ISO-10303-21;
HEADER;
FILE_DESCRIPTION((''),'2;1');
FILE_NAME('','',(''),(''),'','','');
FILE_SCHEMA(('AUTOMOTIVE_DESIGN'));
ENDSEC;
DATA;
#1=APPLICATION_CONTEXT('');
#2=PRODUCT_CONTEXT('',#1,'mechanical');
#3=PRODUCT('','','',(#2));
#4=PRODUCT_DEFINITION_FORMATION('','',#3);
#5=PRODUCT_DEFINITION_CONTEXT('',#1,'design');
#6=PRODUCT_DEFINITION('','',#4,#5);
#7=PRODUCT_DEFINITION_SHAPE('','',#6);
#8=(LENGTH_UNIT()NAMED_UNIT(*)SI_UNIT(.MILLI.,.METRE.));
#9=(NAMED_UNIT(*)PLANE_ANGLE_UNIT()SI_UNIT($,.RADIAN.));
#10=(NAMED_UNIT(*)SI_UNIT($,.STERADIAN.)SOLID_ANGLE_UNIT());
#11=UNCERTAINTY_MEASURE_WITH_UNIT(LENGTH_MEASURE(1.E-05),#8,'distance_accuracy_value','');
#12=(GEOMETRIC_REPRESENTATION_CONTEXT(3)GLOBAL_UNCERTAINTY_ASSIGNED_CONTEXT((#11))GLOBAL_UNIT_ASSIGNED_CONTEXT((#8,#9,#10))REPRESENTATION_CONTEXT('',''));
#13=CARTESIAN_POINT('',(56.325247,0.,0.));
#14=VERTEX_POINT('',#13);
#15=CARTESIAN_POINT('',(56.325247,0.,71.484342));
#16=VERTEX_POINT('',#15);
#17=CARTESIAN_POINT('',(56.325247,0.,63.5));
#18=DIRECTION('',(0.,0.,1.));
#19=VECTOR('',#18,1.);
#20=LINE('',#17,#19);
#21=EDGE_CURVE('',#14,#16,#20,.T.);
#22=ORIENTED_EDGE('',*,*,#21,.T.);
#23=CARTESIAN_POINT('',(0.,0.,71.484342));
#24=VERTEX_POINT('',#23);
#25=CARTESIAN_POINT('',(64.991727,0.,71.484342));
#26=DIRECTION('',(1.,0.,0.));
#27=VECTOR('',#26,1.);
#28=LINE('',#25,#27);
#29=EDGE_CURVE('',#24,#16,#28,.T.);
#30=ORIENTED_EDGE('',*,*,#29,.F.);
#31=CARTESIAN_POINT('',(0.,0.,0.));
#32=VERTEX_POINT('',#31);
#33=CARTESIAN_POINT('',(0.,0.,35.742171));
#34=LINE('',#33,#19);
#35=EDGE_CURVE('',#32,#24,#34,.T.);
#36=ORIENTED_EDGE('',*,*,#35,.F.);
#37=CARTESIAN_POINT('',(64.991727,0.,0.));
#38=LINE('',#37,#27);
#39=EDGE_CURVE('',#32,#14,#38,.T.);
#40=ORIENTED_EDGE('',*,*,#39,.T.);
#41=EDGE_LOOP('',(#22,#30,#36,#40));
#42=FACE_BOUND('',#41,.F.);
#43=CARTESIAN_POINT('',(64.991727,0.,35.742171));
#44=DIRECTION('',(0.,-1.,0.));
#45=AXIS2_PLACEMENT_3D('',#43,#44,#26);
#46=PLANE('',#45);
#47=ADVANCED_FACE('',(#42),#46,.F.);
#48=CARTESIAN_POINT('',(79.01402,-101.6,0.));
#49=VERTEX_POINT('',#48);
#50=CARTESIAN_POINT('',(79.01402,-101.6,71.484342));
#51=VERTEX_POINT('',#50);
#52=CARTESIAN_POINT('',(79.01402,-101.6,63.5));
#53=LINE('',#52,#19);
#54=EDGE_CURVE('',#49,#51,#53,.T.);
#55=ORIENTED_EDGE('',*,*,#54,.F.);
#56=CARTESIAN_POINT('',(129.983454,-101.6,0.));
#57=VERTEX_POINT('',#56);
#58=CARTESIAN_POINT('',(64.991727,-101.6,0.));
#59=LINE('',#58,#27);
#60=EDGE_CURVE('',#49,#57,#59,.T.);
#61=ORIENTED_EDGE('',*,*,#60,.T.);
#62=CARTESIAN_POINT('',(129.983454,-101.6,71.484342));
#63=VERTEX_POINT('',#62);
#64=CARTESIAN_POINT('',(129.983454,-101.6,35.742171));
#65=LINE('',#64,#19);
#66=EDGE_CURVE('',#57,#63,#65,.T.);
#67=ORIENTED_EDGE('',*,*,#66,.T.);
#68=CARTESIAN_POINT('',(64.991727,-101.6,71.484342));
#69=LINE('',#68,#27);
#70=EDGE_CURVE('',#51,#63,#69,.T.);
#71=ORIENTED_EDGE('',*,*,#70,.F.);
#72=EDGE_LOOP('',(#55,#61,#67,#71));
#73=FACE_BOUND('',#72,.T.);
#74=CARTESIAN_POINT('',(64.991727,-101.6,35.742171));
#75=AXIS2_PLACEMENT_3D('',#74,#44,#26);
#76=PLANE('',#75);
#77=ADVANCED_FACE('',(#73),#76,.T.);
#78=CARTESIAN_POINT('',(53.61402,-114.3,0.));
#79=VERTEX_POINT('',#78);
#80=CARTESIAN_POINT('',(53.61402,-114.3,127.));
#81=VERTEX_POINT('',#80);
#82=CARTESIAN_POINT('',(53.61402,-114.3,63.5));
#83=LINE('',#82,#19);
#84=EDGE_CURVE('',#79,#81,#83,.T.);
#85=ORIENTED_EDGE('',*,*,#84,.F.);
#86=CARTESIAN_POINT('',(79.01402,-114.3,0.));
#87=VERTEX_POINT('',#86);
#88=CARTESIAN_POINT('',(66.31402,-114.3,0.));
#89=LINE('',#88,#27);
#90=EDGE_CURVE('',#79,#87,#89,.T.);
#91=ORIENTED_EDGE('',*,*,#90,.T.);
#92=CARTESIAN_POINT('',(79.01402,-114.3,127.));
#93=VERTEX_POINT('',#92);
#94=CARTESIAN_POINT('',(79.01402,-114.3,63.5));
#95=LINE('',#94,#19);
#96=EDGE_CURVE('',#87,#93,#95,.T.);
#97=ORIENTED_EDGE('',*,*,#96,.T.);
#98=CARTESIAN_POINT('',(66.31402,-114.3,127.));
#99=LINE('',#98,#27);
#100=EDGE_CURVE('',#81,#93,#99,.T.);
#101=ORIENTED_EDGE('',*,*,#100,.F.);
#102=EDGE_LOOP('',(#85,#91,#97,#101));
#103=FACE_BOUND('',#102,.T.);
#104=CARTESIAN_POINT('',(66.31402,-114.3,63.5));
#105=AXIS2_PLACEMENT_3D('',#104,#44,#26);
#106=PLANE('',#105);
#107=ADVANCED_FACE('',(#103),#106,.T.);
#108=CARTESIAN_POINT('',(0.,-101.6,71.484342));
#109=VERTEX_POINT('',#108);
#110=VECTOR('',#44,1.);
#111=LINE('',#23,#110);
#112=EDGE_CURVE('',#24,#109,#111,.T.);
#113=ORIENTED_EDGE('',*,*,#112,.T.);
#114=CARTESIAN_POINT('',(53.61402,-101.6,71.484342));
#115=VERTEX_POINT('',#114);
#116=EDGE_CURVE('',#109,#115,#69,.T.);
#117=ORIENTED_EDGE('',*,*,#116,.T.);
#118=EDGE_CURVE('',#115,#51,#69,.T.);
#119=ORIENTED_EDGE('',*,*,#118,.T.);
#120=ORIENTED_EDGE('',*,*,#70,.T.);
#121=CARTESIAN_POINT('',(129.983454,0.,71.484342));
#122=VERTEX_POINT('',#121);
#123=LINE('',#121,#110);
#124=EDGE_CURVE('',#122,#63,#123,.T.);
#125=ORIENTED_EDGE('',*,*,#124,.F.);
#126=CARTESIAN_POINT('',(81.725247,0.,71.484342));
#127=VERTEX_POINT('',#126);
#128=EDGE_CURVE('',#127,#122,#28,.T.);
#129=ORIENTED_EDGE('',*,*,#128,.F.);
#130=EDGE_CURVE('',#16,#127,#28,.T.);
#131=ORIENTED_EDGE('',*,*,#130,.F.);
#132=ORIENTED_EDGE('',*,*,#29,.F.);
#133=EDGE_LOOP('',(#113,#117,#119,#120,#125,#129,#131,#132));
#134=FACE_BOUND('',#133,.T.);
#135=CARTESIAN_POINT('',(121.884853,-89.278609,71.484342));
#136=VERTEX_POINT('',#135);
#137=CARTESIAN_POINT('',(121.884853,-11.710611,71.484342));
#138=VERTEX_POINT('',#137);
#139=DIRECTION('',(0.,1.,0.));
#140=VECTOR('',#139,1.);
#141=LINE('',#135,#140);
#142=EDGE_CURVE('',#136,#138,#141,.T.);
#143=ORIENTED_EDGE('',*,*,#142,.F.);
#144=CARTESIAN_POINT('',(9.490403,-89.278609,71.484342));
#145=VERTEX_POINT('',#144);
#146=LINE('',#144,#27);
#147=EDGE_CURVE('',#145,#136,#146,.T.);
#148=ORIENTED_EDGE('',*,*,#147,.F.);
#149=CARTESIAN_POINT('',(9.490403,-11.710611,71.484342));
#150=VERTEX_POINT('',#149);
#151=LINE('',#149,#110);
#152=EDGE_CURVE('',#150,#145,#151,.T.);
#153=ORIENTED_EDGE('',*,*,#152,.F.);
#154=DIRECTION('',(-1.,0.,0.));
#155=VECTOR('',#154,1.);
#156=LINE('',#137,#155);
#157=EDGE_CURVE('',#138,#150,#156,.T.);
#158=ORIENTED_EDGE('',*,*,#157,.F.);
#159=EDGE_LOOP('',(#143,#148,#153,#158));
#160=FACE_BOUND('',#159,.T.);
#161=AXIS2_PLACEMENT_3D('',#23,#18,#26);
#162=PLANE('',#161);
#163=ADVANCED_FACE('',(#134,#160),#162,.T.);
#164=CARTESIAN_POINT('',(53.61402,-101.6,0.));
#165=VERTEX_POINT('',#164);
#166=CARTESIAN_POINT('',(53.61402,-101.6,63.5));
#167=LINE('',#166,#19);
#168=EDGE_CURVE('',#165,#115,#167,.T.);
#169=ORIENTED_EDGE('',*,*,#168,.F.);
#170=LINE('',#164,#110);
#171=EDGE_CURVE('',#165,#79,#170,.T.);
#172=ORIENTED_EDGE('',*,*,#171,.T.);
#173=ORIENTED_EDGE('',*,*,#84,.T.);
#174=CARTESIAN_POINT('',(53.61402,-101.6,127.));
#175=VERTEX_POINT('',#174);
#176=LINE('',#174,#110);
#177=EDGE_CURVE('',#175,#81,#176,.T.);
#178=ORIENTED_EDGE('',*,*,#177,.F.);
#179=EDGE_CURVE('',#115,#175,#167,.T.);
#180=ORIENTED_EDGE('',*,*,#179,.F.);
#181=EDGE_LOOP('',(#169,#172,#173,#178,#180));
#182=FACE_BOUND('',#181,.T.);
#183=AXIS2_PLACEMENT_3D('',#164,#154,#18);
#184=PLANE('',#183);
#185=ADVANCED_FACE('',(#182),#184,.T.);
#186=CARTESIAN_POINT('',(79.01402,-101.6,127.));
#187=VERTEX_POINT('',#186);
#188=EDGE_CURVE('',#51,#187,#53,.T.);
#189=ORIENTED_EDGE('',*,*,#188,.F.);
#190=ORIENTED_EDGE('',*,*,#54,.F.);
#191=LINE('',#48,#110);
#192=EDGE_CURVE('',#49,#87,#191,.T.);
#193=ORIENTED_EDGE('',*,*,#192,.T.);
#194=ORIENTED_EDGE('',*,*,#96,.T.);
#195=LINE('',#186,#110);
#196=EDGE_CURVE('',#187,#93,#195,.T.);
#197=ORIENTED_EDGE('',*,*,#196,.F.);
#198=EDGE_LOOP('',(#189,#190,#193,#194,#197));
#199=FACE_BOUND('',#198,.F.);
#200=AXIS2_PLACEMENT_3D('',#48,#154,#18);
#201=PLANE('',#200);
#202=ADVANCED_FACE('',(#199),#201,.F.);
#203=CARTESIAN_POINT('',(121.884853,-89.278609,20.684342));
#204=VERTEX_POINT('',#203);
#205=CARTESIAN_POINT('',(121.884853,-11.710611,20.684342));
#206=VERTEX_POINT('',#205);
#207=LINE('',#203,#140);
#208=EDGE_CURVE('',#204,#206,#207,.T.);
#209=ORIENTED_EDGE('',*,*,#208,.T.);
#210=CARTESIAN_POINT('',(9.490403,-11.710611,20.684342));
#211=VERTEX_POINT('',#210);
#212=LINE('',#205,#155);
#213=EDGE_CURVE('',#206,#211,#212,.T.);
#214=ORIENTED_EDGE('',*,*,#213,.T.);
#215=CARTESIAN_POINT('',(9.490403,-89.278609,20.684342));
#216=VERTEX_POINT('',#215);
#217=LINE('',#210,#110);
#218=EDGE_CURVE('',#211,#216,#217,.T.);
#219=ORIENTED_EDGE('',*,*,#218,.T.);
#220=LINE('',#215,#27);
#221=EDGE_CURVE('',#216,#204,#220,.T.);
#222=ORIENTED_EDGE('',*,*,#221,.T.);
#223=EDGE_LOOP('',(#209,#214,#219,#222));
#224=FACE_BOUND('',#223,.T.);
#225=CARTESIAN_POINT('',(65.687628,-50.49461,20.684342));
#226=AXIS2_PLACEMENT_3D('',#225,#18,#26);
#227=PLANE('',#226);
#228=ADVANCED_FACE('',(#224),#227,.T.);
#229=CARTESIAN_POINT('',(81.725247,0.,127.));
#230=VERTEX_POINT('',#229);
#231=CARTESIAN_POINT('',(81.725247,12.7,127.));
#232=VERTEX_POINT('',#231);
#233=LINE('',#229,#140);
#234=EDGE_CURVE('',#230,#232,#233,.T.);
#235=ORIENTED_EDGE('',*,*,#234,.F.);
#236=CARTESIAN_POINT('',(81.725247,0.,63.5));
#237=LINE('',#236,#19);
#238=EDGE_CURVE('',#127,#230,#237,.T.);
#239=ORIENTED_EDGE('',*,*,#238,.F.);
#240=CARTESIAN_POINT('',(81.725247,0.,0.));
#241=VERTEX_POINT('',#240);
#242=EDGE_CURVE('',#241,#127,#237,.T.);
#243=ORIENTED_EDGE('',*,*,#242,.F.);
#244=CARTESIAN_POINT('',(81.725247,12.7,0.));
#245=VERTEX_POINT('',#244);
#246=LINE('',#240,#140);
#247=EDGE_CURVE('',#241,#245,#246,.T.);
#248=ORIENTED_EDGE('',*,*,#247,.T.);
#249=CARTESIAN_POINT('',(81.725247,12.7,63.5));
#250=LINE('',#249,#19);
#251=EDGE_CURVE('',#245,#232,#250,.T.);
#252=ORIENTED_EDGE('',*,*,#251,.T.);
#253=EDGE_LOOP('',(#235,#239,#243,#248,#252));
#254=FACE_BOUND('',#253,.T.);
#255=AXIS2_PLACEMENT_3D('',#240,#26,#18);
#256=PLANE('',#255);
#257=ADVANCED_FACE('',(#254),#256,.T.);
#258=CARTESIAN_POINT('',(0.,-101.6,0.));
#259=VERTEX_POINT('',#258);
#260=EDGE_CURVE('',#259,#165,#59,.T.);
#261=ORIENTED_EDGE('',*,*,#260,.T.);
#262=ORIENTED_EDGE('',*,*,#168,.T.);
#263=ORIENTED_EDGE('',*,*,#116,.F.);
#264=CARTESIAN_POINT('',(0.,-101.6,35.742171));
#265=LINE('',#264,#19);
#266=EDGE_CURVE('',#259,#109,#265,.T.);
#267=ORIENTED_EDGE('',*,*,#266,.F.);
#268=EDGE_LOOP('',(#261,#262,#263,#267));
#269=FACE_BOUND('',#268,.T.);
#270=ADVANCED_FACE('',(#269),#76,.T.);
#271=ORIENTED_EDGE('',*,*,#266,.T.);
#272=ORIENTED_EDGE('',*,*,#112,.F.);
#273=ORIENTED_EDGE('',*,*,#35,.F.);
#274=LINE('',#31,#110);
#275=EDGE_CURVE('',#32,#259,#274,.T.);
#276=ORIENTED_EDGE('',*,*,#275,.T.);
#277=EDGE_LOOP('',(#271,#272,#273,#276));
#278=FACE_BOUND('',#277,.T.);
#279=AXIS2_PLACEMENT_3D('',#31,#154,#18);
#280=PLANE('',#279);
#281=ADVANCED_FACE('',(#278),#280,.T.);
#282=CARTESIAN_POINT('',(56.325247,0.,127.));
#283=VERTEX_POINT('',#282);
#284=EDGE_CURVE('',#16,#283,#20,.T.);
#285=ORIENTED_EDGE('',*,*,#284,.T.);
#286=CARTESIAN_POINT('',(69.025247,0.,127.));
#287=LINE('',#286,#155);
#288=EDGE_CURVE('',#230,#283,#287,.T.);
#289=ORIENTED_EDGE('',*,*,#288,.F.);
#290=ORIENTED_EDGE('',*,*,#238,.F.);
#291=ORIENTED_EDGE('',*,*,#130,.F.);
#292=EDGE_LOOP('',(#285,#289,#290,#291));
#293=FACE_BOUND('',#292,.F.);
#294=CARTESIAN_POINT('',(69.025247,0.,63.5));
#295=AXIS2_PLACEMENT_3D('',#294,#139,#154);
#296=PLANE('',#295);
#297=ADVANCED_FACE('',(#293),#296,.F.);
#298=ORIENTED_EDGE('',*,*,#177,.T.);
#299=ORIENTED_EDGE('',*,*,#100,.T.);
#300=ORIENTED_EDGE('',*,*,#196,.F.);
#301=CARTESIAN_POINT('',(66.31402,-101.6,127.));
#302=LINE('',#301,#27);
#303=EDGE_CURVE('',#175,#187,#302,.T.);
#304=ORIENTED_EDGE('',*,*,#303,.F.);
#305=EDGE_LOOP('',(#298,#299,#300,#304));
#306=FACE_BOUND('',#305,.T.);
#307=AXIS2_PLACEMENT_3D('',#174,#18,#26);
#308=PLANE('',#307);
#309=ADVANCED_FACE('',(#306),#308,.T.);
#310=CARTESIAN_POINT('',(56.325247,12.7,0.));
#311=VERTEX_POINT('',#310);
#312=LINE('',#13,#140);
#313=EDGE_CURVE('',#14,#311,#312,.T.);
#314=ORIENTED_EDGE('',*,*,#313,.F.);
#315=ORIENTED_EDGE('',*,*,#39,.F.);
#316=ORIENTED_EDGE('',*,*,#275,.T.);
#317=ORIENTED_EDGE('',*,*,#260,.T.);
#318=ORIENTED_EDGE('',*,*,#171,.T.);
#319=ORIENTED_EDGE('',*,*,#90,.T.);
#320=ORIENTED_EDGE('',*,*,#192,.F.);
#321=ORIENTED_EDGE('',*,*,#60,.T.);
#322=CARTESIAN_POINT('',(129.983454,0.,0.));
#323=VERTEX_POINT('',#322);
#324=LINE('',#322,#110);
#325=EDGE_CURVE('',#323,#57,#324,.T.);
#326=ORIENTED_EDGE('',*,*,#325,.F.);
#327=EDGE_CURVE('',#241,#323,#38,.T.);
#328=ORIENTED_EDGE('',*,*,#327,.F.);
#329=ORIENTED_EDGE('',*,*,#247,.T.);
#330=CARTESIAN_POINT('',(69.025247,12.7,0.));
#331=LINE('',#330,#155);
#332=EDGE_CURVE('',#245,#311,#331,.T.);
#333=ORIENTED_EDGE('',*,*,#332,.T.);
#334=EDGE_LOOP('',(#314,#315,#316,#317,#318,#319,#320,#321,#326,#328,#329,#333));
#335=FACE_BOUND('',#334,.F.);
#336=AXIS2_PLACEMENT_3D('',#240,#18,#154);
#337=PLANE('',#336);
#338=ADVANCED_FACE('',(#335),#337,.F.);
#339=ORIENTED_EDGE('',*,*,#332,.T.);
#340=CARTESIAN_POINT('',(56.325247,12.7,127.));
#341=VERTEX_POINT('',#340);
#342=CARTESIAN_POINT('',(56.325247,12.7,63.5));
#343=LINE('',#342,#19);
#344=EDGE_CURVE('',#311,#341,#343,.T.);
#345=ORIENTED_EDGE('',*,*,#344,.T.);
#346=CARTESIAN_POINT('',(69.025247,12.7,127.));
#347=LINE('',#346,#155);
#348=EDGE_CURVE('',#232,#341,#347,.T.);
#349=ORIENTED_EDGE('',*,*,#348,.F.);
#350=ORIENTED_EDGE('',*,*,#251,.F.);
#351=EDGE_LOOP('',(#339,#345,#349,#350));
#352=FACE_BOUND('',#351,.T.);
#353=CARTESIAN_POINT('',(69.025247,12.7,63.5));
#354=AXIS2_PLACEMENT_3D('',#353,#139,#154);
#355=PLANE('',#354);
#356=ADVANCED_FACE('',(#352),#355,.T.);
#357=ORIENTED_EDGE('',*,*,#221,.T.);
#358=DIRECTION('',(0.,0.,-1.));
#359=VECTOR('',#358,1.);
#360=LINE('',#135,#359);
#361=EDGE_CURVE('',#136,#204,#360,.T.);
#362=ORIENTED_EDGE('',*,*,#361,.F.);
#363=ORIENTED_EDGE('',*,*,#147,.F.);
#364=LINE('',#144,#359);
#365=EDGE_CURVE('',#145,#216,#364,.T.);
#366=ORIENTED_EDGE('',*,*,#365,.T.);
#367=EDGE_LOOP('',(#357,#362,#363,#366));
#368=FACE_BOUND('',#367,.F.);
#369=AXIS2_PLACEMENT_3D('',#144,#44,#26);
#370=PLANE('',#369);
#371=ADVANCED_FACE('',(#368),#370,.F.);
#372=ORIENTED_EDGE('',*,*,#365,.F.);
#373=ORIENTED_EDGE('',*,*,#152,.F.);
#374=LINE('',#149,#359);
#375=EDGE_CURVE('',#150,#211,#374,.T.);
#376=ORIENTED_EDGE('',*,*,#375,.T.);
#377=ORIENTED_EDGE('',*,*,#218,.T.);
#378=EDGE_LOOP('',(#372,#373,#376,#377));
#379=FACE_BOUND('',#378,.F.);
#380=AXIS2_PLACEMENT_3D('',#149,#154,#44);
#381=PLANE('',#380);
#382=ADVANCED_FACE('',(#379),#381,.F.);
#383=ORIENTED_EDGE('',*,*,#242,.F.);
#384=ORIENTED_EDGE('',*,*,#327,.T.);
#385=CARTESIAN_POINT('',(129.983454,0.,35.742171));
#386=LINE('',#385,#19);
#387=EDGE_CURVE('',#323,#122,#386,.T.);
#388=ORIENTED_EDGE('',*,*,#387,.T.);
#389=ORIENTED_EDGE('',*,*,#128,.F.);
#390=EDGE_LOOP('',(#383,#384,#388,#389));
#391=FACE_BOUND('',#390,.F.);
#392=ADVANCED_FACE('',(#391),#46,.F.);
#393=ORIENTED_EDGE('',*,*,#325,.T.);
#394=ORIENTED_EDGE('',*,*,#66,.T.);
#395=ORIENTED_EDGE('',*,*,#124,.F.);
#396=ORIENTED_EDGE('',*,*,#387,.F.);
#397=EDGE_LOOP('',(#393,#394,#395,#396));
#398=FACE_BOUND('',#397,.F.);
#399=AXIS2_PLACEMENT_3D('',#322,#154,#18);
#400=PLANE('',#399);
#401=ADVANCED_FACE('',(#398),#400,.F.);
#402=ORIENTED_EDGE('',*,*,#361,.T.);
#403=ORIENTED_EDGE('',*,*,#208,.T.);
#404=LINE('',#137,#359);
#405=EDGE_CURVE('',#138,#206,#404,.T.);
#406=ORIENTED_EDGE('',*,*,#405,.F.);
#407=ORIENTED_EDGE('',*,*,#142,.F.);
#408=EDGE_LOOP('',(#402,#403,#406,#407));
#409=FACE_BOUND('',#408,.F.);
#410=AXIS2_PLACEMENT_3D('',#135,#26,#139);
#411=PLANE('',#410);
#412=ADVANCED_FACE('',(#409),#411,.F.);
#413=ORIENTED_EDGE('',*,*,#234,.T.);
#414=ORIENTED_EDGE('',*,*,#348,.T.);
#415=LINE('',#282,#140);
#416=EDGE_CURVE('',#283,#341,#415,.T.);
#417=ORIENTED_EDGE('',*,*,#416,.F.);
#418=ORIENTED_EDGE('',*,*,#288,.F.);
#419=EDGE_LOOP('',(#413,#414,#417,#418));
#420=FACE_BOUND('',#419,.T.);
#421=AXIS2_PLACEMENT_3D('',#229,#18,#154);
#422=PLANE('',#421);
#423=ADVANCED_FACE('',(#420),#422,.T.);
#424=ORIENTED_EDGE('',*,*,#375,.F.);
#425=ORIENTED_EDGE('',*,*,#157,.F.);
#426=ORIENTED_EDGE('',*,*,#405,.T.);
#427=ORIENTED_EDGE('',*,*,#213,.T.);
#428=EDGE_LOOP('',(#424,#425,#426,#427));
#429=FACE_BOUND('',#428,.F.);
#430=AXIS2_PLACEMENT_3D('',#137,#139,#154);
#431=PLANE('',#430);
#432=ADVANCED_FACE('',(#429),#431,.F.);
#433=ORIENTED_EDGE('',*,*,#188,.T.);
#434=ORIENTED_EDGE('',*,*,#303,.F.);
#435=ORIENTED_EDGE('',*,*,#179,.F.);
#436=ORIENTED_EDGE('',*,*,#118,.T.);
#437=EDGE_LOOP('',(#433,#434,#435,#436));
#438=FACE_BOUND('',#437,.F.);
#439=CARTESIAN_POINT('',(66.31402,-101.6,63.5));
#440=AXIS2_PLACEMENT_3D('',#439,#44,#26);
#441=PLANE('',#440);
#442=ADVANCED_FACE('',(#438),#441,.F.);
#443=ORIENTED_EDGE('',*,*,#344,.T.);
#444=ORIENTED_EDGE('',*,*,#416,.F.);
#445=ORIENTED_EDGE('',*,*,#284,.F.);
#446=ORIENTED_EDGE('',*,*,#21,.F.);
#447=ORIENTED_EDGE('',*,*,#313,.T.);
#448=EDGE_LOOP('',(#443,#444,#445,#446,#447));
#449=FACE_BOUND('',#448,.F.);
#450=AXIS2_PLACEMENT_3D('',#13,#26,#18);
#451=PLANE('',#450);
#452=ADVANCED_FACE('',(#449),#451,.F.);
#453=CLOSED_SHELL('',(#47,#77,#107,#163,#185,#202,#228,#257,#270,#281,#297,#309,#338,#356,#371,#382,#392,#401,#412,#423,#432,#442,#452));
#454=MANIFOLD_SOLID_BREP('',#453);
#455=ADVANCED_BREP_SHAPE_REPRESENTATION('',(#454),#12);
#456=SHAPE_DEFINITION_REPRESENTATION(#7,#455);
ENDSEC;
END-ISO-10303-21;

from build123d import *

# Parameters (mm, degrees)
F0_W     = 129.983455
F0_H     = 71.484342
F1_DEPTH = 101.6
F3_DEPTH = 50.8
F4_W     = 25.4
F4_H     = 127
F5_DEPTH = 12.7
F6_W     = 25.4
F6_H     = 127
F7_DEPTH = 12.7


with BuildPart() as f1:
    # F0 (on Front) → F1 (new body)
    with BuildSketch(Plane.XZ):
        with Locations((64.991727, 35.742171)):
            Rectangle(F0_W, F0_H)
    extrude(amount=F1_DEPTH)

    # F2 (on face) → F3 (cut)
    with BuildSketch(Plane.XY.offset(71.484342)):
        Polygon((121.884853, -11.710611), (64.991727, -11.710611), (9.490403, -11.710611), (9.490403, -89.278609), (121.884853, -89.278609), (121.884853, -50.8), align=None)
    extrude(amount=-F3_DEPTH, mode=Mode.SUBTRACT)

    # F4 (on face) → F5 (join)
    with BuildSketch(Plane.XZ.offset(101.6)):
        with Locations((66.31402, 63.5)):
            Rectangle(F4_W, F4_H)
    extrude(amount=F5_DEPTH)

    # F6 (on face) → F7 (join)
    with BuildSketch(Plane(origin=(0, 0, 0), x_dir=(-1, 0, 0), z_dir=(0, 1, 0))):
        with Locations((-69.025247, 63.5)):
            Rectangle(F6_W, F6_H)
    extrude(amount=F7_DEPTH)


solid = f1.part
